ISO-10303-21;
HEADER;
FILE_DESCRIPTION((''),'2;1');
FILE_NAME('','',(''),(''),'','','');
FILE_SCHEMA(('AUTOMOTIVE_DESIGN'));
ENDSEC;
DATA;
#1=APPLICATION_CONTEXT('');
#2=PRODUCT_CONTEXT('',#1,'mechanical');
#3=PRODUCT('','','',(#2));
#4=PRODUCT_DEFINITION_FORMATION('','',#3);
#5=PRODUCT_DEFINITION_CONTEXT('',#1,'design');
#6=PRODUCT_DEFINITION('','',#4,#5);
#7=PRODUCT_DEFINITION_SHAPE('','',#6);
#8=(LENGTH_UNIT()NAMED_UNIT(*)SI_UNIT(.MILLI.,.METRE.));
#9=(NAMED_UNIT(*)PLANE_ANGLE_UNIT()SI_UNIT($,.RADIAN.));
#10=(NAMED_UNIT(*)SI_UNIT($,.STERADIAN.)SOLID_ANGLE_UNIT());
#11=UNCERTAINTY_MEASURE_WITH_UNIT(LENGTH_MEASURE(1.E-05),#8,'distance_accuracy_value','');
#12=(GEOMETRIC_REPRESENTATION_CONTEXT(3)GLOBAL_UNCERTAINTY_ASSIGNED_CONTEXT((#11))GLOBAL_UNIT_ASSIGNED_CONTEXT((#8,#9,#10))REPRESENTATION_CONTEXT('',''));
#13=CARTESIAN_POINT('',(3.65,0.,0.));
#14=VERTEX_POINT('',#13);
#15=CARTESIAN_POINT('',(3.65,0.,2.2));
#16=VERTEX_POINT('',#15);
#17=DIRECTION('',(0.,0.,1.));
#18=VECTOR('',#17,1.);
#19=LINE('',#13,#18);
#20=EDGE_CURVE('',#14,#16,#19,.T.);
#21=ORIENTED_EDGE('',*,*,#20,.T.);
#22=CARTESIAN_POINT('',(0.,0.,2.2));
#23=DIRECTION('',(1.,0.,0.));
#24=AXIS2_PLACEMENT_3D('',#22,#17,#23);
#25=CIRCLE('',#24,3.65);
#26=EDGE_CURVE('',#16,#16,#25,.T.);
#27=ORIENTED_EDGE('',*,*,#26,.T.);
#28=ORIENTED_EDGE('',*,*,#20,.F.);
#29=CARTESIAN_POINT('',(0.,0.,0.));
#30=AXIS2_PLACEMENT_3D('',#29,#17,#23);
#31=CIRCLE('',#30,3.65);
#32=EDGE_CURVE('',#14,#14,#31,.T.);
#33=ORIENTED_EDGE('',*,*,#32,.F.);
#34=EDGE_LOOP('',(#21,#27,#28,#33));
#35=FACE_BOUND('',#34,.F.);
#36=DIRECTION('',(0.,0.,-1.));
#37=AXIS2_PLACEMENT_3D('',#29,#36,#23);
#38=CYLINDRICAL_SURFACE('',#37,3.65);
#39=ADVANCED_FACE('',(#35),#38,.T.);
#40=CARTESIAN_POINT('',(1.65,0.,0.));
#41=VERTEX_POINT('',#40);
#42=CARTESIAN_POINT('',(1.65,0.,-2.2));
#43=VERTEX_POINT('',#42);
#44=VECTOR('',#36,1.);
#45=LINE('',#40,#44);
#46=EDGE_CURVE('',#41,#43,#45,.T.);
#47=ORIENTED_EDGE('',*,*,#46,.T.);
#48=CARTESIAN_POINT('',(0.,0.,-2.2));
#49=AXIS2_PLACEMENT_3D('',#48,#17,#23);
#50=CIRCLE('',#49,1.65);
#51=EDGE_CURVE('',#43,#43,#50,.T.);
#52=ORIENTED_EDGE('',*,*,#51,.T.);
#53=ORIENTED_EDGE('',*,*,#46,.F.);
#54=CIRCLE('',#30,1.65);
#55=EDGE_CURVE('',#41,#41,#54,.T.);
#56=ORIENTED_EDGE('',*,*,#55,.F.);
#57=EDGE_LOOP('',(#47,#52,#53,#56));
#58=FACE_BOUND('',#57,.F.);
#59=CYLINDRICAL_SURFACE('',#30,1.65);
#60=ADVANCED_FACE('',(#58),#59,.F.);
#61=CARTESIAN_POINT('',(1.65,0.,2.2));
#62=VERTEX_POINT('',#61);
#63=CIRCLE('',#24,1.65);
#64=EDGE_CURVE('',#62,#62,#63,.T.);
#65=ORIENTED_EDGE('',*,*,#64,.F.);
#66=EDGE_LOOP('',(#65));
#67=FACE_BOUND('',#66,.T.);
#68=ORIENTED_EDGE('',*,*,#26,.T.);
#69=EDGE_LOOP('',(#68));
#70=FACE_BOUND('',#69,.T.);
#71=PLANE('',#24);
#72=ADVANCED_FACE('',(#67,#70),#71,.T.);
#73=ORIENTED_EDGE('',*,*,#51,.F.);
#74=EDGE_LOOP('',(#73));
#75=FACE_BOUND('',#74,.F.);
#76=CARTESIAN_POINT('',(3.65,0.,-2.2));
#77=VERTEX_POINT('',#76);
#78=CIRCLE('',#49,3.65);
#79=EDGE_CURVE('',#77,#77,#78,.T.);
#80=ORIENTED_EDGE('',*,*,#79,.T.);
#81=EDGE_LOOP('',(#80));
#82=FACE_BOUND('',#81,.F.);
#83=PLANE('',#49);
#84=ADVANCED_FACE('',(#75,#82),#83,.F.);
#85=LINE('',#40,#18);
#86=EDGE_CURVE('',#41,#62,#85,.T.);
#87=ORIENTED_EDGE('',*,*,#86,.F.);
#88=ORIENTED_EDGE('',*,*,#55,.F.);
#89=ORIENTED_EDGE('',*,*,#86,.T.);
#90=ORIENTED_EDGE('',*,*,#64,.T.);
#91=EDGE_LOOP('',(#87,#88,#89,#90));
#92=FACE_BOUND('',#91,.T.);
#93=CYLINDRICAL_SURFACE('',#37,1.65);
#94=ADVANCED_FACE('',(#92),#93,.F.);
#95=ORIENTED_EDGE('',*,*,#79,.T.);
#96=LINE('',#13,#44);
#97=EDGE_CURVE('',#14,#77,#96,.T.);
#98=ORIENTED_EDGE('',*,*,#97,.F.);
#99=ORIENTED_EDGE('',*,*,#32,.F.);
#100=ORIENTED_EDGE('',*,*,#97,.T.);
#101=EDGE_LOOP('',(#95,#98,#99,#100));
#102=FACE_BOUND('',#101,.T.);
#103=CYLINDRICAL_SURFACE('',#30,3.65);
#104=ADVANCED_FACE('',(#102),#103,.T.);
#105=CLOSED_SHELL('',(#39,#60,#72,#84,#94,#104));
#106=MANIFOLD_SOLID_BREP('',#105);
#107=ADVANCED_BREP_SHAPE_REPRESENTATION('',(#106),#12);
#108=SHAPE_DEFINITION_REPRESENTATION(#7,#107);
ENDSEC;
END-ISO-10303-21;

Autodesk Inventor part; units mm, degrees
ref_plane "YZ Plane" through (0, 0, 0) normal (1, 0, 0) x (0, 1, 0)
ref_plane "XZ Plane" through (0, 0, 0) normal (0, 1, 0) x (-1, 0, 0)
ref_plane "XY Plane" through (0, 0, 0) normal (0, 0, 1) x (1, 0, 0)
sketch "スケッチ1" plane through (0, 0, 0) normal (0, 0, 1) x (1, 0, 0)
  circle A0 centre (0, 0) radius 1.65
  circle A1 centre (0, 0) radius 3.65
  dimension "d0" = 3.3
  dimension "d1" = 7.3
extrude "押し出し1" add sketch "スケッチ1" along normal mid plane 4.4
properties part number "スペーサ4.4mm_内径3.3mm"
